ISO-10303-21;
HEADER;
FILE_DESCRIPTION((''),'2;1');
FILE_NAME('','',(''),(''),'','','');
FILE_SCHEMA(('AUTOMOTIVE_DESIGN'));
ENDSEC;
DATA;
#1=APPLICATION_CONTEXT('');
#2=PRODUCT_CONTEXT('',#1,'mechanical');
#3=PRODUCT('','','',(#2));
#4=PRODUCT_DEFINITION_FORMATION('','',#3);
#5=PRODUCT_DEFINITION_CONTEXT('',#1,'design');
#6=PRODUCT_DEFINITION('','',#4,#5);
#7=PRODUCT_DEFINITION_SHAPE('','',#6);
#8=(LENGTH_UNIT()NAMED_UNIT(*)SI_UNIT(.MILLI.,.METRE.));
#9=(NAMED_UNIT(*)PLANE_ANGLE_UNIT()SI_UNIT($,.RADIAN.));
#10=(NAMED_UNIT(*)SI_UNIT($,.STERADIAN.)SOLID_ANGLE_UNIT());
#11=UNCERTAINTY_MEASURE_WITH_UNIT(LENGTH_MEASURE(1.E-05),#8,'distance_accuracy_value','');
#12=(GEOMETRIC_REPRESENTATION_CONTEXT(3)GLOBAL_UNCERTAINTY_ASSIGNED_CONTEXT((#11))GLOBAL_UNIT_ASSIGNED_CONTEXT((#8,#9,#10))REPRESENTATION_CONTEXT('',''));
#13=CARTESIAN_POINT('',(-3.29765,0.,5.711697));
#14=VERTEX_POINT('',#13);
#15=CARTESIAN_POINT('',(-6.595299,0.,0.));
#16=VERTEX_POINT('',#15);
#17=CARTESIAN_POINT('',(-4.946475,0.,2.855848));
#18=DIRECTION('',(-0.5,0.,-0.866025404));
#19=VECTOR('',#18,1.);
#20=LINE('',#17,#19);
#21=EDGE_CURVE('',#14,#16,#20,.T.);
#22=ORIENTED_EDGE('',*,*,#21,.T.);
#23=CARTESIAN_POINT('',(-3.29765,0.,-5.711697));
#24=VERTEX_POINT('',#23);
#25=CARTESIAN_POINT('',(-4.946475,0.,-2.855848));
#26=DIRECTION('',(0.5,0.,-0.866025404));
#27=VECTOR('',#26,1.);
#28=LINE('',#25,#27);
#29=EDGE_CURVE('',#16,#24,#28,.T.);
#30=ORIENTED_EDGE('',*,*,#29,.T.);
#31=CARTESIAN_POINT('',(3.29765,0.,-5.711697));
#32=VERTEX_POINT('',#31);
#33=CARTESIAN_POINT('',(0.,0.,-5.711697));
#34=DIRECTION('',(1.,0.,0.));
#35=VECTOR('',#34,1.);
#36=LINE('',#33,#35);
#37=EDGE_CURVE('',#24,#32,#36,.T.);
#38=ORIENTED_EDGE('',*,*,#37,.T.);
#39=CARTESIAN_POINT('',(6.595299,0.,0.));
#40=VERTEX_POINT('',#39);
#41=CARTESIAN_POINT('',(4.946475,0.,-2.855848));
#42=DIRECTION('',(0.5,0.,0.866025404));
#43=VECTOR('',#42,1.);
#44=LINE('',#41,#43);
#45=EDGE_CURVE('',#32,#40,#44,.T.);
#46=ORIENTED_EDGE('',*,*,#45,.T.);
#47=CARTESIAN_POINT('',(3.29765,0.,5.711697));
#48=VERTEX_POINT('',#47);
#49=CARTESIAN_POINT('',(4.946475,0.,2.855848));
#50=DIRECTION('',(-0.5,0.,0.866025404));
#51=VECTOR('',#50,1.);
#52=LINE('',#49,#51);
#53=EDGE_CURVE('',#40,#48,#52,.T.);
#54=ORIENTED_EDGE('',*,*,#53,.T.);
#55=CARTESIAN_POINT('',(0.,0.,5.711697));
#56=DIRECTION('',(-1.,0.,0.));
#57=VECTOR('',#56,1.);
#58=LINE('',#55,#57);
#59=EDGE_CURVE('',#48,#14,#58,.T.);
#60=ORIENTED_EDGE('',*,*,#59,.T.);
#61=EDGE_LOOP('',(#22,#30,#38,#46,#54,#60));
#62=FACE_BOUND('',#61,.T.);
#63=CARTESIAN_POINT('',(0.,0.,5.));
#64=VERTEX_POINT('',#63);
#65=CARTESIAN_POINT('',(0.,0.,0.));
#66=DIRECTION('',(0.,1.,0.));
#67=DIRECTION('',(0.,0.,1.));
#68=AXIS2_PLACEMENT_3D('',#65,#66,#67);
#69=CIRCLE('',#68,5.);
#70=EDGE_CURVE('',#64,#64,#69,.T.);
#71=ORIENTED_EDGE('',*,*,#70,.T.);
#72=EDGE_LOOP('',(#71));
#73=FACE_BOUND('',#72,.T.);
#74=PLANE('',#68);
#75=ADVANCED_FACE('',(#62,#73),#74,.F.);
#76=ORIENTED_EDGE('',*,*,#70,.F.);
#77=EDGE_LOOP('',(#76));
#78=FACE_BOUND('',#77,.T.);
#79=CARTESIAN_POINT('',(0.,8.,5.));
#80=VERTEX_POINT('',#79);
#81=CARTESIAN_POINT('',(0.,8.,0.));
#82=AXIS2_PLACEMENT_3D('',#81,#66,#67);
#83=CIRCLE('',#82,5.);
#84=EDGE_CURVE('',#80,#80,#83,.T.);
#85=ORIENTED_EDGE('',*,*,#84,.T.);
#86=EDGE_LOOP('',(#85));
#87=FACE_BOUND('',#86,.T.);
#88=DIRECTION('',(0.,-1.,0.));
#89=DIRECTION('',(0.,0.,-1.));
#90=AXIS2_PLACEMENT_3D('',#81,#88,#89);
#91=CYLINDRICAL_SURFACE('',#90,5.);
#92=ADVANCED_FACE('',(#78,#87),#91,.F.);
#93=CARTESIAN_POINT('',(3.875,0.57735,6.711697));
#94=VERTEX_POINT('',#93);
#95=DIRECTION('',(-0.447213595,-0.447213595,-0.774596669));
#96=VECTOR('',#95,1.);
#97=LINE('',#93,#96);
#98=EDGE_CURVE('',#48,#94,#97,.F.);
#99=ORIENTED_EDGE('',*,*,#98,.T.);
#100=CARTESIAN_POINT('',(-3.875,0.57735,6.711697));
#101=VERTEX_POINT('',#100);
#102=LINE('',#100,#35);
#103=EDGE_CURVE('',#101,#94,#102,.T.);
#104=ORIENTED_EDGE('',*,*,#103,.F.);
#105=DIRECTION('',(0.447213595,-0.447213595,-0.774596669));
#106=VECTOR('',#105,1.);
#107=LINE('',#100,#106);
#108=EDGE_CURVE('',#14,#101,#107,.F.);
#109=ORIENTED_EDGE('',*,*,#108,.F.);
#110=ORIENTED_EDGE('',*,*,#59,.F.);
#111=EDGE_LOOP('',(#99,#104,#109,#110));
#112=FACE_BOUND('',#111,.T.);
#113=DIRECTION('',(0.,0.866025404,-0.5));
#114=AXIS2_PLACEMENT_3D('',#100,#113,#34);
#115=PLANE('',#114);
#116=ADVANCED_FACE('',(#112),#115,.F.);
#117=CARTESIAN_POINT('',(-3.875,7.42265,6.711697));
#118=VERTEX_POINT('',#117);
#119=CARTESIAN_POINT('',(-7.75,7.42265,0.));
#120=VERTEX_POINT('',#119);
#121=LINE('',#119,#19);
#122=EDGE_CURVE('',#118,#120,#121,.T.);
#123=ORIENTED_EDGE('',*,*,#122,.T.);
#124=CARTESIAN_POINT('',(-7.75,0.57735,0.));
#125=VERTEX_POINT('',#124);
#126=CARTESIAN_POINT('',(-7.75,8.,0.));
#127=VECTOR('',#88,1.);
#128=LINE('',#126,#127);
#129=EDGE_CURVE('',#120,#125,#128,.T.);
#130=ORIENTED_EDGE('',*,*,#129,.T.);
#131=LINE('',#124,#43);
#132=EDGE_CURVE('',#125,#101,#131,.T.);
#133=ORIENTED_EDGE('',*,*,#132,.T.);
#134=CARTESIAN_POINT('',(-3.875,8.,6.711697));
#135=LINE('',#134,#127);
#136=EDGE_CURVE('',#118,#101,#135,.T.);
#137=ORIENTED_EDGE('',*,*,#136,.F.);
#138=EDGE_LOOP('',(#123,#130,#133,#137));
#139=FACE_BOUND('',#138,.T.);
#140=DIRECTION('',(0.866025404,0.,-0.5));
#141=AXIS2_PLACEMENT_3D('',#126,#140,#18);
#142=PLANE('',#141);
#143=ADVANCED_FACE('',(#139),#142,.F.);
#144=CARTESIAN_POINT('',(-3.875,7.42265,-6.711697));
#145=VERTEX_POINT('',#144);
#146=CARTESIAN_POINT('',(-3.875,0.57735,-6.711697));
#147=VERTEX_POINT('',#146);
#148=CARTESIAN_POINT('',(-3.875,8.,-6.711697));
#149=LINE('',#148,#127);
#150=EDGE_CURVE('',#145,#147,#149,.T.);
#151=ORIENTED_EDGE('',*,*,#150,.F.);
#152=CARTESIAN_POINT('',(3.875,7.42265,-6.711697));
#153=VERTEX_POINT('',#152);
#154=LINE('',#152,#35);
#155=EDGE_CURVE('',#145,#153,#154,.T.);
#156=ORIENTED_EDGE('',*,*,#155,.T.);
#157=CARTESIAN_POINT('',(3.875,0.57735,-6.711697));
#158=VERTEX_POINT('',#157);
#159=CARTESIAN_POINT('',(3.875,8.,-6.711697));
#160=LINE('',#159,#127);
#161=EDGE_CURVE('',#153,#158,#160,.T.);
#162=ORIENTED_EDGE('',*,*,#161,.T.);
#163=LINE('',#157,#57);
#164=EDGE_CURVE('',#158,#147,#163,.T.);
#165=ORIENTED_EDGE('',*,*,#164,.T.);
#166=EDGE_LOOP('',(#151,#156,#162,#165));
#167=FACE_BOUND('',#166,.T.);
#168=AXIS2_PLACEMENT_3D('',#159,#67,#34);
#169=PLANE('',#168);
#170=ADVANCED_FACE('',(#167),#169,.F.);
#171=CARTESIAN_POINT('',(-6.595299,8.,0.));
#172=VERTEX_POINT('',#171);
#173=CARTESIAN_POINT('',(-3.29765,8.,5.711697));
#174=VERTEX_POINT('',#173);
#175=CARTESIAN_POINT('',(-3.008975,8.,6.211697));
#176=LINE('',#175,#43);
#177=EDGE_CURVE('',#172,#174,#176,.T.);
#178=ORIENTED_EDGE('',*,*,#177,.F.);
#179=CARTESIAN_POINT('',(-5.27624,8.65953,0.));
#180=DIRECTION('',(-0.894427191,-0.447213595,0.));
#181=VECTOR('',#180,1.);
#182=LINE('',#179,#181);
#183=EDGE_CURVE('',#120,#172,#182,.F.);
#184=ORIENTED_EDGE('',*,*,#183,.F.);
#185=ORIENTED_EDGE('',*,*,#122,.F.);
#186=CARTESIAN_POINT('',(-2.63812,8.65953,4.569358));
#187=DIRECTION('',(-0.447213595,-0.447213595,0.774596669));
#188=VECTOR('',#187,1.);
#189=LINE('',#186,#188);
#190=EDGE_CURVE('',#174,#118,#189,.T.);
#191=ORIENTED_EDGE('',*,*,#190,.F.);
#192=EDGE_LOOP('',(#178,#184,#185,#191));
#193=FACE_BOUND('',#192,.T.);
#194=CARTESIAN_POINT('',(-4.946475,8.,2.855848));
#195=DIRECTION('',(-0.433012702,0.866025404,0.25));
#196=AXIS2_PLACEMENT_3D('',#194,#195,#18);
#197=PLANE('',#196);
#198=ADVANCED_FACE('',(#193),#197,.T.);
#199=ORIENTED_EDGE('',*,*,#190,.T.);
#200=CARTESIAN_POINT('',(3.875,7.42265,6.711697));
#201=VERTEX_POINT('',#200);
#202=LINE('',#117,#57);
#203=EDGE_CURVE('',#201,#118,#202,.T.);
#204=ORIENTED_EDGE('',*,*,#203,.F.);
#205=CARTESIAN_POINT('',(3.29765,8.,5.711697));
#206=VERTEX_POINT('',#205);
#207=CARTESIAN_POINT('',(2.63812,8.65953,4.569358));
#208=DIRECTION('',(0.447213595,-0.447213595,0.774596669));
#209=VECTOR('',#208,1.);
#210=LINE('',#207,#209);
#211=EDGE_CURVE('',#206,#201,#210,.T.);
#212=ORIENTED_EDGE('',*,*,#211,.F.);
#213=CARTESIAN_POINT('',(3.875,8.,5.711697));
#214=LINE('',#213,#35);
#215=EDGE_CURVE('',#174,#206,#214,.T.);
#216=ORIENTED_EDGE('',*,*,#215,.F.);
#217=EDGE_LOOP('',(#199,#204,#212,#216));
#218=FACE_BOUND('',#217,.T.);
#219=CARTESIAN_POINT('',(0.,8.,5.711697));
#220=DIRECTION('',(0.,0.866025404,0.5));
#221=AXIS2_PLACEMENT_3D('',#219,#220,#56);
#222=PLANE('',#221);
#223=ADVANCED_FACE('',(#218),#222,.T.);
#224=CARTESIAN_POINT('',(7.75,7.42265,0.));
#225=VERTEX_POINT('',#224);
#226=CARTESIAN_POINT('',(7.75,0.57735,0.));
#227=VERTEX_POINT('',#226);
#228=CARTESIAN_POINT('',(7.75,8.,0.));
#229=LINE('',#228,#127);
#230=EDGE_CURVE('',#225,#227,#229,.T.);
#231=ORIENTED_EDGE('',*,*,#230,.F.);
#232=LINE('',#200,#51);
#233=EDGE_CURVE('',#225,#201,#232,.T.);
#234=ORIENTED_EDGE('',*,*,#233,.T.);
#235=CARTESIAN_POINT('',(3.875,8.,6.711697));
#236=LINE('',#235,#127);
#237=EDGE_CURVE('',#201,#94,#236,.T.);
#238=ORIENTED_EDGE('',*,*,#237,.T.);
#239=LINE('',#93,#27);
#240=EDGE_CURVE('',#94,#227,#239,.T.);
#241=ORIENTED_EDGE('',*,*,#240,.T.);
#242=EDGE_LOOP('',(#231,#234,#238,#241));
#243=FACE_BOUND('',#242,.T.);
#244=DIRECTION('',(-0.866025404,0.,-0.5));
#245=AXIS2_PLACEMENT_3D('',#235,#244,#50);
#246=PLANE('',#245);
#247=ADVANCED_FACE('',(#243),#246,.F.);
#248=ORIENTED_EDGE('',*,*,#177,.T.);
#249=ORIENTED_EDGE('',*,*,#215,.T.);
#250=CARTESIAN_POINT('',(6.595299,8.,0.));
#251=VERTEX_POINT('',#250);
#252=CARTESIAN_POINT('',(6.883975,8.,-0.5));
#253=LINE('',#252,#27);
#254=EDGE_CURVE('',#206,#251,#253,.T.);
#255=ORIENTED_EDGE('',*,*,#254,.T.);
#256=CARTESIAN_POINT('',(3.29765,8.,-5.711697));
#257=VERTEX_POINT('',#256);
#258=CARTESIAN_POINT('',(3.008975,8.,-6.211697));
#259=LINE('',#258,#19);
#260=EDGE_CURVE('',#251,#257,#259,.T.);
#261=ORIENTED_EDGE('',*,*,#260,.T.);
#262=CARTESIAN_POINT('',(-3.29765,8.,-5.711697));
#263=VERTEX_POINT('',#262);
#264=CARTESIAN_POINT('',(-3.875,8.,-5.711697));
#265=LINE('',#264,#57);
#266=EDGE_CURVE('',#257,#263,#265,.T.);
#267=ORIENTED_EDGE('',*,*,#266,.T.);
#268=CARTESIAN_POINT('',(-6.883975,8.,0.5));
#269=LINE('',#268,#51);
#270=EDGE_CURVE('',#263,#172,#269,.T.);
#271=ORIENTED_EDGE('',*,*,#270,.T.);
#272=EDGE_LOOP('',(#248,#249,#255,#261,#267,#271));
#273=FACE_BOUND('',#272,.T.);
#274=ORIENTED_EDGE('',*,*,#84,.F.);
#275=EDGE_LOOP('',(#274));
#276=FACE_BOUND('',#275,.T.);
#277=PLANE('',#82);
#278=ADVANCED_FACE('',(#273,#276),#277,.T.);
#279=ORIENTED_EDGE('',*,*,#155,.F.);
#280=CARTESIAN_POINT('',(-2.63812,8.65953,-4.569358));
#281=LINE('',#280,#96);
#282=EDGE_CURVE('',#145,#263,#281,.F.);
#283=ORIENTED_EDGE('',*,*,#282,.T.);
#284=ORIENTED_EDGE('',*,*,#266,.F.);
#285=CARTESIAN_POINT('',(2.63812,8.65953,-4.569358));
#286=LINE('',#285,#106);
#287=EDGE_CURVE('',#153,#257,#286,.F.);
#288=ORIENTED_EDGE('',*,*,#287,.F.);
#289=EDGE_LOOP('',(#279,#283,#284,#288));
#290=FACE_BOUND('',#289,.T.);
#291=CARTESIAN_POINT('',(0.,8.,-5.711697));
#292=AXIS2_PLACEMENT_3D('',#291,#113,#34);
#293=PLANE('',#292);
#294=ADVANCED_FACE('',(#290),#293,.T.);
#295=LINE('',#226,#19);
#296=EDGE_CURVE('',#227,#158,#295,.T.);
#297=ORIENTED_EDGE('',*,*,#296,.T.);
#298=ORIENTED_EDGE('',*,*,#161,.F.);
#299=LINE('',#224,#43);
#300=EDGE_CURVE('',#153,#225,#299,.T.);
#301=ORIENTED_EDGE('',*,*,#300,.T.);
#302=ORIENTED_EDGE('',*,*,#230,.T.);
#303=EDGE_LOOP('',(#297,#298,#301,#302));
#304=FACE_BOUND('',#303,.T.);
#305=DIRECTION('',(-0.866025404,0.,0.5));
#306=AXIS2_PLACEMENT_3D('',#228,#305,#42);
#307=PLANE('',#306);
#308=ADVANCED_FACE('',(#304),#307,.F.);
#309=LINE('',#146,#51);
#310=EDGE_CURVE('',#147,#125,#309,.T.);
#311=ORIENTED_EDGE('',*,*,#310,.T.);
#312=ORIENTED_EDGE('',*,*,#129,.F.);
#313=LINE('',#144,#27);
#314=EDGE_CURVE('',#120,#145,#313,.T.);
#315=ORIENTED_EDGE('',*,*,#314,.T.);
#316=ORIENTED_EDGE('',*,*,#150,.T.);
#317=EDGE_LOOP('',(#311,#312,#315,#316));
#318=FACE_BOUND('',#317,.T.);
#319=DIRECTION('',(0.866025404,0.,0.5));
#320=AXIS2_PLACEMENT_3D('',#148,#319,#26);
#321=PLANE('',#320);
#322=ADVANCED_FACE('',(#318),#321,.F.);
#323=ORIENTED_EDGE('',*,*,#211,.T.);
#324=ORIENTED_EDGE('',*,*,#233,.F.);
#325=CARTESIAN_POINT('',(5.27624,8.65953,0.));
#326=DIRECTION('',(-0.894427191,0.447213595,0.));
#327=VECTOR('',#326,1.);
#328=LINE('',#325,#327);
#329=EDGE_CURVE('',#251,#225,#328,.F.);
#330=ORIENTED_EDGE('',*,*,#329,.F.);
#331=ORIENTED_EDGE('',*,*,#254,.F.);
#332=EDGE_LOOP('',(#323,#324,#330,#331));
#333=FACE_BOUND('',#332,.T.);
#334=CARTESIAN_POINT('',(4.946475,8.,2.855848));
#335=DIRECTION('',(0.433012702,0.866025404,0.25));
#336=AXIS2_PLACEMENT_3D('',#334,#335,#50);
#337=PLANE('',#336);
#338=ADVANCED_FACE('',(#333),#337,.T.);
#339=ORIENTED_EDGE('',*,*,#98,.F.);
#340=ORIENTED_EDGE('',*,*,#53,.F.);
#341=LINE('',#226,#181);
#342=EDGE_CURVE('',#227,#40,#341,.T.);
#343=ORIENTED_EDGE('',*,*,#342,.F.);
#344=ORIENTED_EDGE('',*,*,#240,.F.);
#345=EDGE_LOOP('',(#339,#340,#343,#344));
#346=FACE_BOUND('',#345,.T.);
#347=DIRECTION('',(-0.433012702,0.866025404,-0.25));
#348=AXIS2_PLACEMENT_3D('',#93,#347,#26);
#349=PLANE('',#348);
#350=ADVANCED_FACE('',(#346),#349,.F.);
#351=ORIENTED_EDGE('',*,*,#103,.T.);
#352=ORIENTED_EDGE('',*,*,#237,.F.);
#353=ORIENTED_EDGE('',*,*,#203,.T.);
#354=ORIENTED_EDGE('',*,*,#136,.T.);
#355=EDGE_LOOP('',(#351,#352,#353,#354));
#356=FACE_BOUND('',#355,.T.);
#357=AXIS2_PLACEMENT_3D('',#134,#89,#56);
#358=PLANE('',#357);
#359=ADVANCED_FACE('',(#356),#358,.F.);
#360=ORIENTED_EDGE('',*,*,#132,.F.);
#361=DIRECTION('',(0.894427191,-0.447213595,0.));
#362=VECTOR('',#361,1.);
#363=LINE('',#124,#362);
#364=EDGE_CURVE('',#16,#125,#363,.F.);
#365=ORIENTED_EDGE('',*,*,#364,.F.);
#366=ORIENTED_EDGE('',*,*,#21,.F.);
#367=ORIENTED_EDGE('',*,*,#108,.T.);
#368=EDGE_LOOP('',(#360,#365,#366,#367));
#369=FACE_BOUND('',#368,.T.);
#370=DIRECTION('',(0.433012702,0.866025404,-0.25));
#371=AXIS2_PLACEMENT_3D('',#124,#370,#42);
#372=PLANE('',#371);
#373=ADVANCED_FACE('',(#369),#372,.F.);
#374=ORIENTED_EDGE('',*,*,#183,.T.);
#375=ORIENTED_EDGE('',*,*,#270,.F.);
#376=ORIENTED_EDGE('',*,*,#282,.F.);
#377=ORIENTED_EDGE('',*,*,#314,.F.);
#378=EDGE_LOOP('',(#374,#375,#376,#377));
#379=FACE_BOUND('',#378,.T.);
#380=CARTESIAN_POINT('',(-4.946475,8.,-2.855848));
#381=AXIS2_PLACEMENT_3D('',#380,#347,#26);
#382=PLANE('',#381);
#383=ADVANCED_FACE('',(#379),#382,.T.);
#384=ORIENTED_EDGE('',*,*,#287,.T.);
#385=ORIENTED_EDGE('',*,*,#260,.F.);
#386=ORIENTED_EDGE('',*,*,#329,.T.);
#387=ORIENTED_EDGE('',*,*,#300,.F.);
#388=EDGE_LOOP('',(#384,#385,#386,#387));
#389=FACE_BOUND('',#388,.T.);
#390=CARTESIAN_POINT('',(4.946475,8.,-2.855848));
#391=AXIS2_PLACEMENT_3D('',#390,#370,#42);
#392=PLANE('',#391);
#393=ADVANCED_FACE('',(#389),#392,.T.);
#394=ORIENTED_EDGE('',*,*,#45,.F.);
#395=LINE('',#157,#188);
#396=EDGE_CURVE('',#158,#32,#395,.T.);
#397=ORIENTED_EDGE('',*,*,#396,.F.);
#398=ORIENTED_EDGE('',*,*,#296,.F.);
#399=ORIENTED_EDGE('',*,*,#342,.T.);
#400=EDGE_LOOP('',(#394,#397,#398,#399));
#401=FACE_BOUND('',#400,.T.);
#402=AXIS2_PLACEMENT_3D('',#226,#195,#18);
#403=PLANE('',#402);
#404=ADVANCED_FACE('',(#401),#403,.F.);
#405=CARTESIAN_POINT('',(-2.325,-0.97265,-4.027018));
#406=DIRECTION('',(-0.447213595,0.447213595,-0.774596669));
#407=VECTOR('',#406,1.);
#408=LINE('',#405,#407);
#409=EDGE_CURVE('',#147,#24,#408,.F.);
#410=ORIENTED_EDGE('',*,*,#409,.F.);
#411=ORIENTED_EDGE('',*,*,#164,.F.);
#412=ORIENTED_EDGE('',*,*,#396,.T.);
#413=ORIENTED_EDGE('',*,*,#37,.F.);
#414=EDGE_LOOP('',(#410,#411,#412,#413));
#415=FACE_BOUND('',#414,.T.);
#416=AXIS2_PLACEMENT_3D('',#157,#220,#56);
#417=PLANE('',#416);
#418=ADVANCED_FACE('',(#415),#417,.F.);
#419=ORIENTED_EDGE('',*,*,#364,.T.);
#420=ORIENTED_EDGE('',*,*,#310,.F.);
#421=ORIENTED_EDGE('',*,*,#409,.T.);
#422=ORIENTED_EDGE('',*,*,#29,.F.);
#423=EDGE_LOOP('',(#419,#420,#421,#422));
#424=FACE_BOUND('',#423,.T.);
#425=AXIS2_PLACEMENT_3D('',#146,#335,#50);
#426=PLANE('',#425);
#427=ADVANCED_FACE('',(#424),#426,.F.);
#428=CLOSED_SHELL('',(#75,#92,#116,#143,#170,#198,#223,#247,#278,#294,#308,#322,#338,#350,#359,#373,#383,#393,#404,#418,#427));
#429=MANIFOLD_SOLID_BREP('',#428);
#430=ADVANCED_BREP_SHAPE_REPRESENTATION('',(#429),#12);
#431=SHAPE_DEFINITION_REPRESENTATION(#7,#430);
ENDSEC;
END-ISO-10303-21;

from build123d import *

# Parameters (mm, degrees)
SKETCH_1_R      = 5
EXTRUDE_1_DEPTH = 8
CHAMFER_1_SIZE  = 1
CHAMFER_1_SIZE2 = 0.577350269
CHAMFER_2_SIZE  = 1
CHAMFER_2_SIZE2 = 0.577350269


with BuildPart() as part:
    # Эскиз1 → Бобышка-Вытянуть1 (new body)
    with BuildSketch(Plane(origin=(0, 0, 0), x_dir=(1, 0, 0), z_dir=(0, 1, 0))):
        Polygon((-7.75, 0), (-3.875, -6.711696879), (3.875, -6.711696879), (7.75, 0), (3.875, 6.711696879), (-3.875, 6.711696879), align=None)
        Circle(SKETCH_1_R, mode=Mode.SUBTRACT)
    extrude(amount=EXTRUDE_1_DEPTH)

    # Фаска1
    chamfer_1_edges = [part.edges().sort_by_distance(p)[0] for p in [
        (0, 8, 6.711696879),
        (5.8125, 8, 3.35584844),
        (5.8125, 8, -3.35584844),
        (0, 8, -6.711696879),
        (-5.8125, 8, -3.35584844),
        (-5.8125, 8, 3.35584844),
    ]]
    chamfer_1_side = [part.faces().sort_by_distance(p)[0] for p in [
        (-5.634925192, 8, 3.253325576),
    ]]
    chamfer(chamfer_1_edges, length=CHAMFER_1_SIZE, length2=CHAMFER_1_SIZE2, reference=chamfer_1_side[0])

    # Фаска2
    chamfer_2_edges = [part.edges().sort_by_distance(p)[0] for p in [
        (0, 0, -6.711696879),
        (5.8125, 0, -3.35584844),
        (5.8125, 0, 3.35584844),
        (0, 0, 6.711696879),
        (-5.8125, 0, 3.35584844),
        (-5.8125, 0, -3.35584844),
    ]]
    chamfer_2_side = [part.faces().sort_by_distance(p)[0] for p in [
        (-5.634925192, 0, 3.253325576),
    ]]
    chamfer(chamfer_2_edges, length=CHAMFER_2_SIZE, length2=CHAMFER_2_SIZE2, reference=chamfer_2_side[0])


solid = part.part
